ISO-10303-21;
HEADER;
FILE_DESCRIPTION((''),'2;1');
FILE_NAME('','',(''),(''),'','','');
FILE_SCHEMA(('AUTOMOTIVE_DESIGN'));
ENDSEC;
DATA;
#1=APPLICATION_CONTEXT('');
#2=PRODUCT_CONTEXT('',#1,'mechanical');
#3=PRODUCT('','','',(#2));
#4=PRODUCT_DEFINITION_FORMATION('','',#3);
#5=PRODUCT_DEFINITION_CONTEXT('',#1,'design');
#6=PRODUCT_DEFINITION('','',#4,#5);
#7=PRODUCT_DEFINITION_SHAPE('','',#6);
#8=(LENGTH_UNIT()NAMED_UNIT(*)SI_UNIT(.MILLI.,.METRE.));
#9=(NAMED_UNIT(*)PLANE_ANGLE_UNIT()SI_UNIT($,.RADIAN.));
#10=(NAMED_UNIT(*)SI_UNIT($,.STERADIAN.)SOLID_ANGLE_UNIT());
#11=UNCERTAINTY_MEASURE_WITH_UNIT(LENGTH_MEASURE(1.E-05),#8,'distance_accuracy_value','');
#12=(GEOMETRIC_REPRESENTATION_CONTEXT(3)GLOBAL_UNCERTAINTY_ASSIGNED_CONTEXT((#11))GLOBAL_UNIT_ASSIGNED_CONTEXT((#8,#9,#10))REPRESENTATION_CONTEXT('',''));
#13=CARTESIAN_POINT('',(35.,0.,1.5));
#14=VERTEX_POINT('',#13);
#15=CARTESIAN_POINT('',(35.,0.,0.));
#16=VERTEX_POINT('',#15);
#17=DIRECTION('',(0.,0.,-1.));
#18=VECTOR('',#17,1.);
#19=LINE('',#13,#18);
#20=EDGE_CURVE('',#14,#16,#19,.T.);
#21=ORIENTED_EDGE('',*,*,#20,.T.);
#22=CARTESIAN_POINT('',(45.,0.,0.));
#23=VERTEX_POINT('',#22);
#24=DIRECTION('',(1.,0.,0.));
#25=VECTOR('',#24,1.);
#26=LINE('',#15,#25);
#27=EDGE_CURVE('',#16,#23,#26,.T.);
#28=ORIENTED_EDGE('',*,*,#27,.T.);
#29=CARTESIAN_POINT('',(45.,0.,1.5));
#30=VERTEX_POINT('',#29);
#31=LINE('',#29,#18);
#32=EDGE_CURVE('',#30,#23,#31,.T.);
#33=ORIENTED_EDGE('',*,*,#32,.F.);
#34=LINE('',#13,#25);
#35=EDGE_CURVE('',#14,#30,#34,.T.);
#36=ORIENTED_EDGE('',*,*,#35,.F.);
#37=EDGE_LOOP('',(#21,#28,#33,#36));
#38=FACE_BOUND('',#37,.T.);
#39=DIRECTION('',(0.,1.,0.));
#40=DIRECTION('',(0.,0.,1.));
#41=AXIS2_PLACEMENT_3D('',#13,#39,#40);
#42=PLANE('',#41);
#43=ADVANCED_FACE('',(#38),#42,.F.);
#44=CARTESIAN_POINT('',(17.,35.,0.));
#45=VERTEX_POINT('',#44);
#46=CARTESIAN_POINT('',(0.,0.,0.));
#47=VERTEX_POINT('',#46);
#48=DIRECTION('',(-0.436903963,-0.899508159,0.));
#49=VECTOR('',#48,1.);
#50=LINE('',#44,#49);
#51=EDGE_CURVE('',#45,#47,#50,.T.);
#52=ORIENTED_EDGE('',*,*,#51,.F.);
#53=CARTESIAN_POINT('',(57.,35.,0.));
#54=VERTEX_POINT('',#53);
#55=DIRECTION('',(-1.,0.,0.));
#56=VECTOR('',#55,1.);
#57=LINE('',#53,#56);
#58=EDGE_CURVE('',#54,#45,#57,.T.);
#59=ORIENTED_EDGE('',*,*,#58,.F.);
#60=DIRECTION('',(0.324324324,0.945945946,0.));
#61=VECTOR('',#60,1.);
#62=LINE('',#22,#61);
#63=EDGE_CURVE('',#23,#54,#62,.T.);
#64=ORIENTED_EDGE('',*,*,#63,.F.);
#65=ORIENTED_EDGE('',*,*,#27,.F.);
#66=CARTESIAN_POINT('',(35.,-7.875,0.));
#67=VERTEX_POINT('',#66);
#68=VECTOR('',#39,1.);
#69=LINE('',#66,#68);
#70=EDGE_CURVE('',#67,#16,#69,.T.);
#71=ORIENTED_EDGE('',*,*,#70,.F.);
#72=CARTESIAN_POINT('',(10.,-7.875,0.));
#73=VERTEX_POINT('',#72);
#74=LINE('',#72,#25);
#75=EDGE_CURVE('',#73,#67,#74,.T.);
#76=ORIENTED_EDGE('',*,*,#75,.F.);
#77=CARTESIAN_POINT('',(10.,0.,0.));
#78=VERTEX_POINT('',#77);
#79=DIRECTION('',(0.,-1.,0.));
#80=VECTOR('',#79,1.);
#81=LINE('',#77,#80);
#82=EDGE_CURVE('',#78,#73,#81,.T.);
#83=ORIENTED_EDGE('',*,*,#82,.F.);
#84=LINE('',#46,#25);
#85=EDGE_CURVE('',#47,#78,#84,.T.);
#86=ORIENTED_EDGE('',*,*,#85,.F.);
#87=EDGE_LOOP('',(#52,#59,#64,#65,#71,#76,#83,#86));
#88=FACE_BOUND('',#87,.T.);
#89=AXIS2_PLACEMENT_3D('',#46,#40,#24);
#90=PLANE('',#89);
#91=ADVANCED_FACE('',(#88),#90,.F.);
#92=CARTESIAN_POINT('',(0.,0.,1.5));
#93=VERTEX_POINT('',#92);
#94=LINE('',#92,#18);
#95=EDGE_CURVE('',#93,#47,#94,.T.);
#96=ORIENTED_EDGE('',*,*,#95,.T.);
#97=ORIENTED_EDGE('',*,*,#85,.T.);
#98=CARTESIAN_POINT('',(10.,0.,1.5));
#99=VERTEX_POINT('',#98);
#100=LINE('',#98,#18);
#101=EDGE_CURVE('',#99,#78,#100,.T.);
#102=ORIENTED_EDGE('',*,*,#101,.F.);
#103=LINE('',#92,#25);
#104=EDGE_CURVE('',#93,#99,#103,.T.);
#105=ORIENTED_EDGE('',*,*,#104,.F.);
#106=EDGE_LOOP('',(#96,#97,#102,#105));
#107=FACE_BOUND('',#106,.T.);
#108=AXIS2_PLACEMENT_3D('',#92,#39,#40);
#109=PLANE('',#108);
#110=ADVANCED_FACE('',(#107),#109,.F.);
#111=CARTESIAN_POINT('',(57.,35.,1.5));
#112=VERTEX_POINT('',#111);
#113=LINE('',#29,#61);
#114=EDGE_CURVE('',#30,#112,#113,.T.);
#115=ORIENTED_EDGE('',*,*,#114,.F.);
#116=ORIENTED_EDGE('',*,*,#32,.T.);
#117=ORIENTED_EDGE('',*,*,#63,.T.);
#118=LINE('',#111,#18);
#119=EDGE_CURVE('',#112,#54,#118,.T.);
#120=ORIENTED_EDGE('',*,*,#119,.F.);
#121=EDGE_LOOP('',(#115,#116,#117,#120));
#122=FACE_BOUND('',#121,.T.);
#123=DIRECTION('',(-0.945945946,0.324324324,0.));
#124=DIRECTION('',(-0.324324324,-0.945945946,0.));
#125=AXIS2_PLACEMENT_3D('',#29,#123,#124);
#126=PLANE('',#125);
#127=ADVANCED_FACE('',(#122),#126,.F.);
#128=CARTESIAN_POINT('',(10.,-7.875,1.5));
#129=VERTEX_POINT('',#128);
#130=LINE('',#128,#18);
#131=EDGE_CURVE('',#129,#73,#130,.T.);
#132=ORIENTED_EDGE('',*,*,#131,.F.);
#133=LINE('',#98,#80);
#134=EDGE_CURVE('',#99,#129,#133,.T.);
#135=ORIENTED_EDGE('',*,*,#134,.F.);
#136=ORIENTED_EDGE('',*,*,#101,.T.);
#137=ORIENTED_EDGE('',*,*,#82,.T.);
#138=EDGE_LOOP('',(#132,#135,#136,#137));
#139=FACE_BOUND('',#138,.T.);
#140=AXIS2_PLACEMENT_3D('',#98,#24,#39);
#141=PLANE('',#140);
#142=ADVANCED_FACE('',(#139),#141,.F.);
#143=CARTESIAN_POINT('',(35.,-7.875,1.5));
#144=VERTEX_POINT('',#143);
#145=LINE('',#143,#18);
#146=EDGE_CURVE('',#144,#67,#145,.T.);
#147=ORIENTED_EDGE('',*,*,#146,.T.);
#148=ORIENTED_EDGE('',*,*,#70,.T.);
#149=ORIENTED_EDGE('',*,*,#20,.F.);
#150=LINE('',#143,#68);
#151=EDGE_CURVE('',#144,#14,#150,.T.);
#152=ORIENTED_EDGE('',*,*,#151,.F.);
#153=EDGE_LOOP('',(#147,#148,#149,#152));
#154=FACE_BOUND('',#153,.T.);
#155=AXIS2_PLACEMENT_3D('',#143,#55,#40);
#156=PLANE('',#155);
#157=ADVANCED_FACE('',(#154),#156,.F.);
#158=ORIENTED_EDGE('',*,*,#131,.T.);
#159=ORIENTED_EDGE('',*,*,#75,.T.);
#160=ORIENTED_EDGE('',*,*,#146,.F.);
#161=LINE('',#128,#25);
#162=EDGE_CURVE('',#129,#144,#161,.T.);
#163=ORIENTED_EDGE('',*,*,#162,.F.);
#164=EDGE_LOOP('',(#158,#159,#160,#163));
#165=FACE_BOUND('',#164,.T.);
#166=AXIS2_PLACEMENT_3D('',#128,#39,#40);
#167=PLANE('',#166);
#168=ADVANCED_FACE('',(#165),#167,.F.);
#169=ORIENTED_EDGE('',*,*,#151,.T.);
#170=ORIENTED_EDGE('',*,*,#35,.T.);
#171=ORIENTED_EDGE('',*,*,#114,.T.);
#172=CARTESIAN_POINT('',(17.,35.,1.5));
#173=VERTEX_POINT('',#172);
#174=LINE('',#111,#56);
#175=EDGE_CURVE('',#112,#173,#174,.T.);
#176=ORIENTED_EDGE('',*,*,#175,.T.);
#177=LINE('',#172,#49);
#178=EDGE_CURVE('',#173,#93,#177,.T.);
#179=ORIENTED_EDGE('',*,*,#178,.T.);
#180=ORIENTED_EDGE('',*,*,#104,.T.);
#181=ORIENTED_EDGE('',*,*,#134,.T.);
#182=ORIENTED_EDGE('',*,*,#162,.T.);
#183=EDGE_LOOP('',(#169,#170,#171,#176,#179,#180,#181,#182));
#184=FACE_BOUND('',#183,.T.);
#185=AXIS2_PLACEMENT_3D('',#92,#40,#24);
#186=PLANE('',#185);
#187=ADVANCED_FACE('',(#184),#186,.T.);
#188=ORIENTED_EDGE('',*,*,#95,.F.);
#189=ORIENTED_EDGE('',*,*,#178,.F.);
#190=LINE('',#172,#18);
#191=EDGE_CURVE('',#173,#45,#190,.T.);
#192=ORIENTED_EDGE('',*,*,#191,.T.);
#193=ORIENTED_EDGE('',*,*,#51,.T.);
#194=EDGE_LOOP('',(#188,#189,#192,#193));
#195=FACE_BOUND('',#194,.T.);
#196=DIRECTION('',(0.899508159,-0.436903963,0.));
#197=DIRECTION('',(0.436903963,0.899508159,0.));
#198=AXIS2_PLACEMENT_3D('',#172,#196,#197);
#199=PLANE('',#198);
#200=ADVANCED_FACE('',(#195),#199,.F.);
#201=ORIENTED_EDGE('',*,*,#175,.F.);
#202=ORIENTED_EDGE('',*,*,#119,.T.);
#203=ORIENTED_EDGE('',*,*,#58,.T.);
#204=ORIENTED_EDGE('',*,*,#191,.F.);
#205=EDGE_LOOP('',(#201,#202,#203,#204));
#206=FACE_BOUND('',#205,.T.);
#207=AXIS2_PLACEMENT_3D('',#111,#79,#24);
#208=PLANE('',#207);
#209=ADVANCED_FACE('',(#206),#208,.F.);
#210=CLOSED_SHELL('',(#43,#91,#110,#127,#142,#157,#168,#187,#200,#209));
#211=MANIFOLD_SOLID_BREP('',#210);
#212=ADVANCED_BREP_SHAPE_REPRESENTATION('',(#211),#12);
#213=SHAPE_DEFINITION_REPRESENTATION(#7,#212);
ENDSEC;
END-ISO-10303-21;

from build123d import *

# Parameters (mm, degrees)
BOSS_EXTRUDE1_DEPTH = 1.5


with BuildPart() as part:
    # Sketch1 → Boss-Extrude1 (new body)
    with BuildSketch(Plane.XY):
        Polygon((0, 0), (10, 0), (10, -7.875), (35, -7.875), (35, 0), (45, 0), (57, 35), (17, 35), align=None)
    extrude(amount=BOSS_EXTRUDE1_DEPTH)


solid = part.part
